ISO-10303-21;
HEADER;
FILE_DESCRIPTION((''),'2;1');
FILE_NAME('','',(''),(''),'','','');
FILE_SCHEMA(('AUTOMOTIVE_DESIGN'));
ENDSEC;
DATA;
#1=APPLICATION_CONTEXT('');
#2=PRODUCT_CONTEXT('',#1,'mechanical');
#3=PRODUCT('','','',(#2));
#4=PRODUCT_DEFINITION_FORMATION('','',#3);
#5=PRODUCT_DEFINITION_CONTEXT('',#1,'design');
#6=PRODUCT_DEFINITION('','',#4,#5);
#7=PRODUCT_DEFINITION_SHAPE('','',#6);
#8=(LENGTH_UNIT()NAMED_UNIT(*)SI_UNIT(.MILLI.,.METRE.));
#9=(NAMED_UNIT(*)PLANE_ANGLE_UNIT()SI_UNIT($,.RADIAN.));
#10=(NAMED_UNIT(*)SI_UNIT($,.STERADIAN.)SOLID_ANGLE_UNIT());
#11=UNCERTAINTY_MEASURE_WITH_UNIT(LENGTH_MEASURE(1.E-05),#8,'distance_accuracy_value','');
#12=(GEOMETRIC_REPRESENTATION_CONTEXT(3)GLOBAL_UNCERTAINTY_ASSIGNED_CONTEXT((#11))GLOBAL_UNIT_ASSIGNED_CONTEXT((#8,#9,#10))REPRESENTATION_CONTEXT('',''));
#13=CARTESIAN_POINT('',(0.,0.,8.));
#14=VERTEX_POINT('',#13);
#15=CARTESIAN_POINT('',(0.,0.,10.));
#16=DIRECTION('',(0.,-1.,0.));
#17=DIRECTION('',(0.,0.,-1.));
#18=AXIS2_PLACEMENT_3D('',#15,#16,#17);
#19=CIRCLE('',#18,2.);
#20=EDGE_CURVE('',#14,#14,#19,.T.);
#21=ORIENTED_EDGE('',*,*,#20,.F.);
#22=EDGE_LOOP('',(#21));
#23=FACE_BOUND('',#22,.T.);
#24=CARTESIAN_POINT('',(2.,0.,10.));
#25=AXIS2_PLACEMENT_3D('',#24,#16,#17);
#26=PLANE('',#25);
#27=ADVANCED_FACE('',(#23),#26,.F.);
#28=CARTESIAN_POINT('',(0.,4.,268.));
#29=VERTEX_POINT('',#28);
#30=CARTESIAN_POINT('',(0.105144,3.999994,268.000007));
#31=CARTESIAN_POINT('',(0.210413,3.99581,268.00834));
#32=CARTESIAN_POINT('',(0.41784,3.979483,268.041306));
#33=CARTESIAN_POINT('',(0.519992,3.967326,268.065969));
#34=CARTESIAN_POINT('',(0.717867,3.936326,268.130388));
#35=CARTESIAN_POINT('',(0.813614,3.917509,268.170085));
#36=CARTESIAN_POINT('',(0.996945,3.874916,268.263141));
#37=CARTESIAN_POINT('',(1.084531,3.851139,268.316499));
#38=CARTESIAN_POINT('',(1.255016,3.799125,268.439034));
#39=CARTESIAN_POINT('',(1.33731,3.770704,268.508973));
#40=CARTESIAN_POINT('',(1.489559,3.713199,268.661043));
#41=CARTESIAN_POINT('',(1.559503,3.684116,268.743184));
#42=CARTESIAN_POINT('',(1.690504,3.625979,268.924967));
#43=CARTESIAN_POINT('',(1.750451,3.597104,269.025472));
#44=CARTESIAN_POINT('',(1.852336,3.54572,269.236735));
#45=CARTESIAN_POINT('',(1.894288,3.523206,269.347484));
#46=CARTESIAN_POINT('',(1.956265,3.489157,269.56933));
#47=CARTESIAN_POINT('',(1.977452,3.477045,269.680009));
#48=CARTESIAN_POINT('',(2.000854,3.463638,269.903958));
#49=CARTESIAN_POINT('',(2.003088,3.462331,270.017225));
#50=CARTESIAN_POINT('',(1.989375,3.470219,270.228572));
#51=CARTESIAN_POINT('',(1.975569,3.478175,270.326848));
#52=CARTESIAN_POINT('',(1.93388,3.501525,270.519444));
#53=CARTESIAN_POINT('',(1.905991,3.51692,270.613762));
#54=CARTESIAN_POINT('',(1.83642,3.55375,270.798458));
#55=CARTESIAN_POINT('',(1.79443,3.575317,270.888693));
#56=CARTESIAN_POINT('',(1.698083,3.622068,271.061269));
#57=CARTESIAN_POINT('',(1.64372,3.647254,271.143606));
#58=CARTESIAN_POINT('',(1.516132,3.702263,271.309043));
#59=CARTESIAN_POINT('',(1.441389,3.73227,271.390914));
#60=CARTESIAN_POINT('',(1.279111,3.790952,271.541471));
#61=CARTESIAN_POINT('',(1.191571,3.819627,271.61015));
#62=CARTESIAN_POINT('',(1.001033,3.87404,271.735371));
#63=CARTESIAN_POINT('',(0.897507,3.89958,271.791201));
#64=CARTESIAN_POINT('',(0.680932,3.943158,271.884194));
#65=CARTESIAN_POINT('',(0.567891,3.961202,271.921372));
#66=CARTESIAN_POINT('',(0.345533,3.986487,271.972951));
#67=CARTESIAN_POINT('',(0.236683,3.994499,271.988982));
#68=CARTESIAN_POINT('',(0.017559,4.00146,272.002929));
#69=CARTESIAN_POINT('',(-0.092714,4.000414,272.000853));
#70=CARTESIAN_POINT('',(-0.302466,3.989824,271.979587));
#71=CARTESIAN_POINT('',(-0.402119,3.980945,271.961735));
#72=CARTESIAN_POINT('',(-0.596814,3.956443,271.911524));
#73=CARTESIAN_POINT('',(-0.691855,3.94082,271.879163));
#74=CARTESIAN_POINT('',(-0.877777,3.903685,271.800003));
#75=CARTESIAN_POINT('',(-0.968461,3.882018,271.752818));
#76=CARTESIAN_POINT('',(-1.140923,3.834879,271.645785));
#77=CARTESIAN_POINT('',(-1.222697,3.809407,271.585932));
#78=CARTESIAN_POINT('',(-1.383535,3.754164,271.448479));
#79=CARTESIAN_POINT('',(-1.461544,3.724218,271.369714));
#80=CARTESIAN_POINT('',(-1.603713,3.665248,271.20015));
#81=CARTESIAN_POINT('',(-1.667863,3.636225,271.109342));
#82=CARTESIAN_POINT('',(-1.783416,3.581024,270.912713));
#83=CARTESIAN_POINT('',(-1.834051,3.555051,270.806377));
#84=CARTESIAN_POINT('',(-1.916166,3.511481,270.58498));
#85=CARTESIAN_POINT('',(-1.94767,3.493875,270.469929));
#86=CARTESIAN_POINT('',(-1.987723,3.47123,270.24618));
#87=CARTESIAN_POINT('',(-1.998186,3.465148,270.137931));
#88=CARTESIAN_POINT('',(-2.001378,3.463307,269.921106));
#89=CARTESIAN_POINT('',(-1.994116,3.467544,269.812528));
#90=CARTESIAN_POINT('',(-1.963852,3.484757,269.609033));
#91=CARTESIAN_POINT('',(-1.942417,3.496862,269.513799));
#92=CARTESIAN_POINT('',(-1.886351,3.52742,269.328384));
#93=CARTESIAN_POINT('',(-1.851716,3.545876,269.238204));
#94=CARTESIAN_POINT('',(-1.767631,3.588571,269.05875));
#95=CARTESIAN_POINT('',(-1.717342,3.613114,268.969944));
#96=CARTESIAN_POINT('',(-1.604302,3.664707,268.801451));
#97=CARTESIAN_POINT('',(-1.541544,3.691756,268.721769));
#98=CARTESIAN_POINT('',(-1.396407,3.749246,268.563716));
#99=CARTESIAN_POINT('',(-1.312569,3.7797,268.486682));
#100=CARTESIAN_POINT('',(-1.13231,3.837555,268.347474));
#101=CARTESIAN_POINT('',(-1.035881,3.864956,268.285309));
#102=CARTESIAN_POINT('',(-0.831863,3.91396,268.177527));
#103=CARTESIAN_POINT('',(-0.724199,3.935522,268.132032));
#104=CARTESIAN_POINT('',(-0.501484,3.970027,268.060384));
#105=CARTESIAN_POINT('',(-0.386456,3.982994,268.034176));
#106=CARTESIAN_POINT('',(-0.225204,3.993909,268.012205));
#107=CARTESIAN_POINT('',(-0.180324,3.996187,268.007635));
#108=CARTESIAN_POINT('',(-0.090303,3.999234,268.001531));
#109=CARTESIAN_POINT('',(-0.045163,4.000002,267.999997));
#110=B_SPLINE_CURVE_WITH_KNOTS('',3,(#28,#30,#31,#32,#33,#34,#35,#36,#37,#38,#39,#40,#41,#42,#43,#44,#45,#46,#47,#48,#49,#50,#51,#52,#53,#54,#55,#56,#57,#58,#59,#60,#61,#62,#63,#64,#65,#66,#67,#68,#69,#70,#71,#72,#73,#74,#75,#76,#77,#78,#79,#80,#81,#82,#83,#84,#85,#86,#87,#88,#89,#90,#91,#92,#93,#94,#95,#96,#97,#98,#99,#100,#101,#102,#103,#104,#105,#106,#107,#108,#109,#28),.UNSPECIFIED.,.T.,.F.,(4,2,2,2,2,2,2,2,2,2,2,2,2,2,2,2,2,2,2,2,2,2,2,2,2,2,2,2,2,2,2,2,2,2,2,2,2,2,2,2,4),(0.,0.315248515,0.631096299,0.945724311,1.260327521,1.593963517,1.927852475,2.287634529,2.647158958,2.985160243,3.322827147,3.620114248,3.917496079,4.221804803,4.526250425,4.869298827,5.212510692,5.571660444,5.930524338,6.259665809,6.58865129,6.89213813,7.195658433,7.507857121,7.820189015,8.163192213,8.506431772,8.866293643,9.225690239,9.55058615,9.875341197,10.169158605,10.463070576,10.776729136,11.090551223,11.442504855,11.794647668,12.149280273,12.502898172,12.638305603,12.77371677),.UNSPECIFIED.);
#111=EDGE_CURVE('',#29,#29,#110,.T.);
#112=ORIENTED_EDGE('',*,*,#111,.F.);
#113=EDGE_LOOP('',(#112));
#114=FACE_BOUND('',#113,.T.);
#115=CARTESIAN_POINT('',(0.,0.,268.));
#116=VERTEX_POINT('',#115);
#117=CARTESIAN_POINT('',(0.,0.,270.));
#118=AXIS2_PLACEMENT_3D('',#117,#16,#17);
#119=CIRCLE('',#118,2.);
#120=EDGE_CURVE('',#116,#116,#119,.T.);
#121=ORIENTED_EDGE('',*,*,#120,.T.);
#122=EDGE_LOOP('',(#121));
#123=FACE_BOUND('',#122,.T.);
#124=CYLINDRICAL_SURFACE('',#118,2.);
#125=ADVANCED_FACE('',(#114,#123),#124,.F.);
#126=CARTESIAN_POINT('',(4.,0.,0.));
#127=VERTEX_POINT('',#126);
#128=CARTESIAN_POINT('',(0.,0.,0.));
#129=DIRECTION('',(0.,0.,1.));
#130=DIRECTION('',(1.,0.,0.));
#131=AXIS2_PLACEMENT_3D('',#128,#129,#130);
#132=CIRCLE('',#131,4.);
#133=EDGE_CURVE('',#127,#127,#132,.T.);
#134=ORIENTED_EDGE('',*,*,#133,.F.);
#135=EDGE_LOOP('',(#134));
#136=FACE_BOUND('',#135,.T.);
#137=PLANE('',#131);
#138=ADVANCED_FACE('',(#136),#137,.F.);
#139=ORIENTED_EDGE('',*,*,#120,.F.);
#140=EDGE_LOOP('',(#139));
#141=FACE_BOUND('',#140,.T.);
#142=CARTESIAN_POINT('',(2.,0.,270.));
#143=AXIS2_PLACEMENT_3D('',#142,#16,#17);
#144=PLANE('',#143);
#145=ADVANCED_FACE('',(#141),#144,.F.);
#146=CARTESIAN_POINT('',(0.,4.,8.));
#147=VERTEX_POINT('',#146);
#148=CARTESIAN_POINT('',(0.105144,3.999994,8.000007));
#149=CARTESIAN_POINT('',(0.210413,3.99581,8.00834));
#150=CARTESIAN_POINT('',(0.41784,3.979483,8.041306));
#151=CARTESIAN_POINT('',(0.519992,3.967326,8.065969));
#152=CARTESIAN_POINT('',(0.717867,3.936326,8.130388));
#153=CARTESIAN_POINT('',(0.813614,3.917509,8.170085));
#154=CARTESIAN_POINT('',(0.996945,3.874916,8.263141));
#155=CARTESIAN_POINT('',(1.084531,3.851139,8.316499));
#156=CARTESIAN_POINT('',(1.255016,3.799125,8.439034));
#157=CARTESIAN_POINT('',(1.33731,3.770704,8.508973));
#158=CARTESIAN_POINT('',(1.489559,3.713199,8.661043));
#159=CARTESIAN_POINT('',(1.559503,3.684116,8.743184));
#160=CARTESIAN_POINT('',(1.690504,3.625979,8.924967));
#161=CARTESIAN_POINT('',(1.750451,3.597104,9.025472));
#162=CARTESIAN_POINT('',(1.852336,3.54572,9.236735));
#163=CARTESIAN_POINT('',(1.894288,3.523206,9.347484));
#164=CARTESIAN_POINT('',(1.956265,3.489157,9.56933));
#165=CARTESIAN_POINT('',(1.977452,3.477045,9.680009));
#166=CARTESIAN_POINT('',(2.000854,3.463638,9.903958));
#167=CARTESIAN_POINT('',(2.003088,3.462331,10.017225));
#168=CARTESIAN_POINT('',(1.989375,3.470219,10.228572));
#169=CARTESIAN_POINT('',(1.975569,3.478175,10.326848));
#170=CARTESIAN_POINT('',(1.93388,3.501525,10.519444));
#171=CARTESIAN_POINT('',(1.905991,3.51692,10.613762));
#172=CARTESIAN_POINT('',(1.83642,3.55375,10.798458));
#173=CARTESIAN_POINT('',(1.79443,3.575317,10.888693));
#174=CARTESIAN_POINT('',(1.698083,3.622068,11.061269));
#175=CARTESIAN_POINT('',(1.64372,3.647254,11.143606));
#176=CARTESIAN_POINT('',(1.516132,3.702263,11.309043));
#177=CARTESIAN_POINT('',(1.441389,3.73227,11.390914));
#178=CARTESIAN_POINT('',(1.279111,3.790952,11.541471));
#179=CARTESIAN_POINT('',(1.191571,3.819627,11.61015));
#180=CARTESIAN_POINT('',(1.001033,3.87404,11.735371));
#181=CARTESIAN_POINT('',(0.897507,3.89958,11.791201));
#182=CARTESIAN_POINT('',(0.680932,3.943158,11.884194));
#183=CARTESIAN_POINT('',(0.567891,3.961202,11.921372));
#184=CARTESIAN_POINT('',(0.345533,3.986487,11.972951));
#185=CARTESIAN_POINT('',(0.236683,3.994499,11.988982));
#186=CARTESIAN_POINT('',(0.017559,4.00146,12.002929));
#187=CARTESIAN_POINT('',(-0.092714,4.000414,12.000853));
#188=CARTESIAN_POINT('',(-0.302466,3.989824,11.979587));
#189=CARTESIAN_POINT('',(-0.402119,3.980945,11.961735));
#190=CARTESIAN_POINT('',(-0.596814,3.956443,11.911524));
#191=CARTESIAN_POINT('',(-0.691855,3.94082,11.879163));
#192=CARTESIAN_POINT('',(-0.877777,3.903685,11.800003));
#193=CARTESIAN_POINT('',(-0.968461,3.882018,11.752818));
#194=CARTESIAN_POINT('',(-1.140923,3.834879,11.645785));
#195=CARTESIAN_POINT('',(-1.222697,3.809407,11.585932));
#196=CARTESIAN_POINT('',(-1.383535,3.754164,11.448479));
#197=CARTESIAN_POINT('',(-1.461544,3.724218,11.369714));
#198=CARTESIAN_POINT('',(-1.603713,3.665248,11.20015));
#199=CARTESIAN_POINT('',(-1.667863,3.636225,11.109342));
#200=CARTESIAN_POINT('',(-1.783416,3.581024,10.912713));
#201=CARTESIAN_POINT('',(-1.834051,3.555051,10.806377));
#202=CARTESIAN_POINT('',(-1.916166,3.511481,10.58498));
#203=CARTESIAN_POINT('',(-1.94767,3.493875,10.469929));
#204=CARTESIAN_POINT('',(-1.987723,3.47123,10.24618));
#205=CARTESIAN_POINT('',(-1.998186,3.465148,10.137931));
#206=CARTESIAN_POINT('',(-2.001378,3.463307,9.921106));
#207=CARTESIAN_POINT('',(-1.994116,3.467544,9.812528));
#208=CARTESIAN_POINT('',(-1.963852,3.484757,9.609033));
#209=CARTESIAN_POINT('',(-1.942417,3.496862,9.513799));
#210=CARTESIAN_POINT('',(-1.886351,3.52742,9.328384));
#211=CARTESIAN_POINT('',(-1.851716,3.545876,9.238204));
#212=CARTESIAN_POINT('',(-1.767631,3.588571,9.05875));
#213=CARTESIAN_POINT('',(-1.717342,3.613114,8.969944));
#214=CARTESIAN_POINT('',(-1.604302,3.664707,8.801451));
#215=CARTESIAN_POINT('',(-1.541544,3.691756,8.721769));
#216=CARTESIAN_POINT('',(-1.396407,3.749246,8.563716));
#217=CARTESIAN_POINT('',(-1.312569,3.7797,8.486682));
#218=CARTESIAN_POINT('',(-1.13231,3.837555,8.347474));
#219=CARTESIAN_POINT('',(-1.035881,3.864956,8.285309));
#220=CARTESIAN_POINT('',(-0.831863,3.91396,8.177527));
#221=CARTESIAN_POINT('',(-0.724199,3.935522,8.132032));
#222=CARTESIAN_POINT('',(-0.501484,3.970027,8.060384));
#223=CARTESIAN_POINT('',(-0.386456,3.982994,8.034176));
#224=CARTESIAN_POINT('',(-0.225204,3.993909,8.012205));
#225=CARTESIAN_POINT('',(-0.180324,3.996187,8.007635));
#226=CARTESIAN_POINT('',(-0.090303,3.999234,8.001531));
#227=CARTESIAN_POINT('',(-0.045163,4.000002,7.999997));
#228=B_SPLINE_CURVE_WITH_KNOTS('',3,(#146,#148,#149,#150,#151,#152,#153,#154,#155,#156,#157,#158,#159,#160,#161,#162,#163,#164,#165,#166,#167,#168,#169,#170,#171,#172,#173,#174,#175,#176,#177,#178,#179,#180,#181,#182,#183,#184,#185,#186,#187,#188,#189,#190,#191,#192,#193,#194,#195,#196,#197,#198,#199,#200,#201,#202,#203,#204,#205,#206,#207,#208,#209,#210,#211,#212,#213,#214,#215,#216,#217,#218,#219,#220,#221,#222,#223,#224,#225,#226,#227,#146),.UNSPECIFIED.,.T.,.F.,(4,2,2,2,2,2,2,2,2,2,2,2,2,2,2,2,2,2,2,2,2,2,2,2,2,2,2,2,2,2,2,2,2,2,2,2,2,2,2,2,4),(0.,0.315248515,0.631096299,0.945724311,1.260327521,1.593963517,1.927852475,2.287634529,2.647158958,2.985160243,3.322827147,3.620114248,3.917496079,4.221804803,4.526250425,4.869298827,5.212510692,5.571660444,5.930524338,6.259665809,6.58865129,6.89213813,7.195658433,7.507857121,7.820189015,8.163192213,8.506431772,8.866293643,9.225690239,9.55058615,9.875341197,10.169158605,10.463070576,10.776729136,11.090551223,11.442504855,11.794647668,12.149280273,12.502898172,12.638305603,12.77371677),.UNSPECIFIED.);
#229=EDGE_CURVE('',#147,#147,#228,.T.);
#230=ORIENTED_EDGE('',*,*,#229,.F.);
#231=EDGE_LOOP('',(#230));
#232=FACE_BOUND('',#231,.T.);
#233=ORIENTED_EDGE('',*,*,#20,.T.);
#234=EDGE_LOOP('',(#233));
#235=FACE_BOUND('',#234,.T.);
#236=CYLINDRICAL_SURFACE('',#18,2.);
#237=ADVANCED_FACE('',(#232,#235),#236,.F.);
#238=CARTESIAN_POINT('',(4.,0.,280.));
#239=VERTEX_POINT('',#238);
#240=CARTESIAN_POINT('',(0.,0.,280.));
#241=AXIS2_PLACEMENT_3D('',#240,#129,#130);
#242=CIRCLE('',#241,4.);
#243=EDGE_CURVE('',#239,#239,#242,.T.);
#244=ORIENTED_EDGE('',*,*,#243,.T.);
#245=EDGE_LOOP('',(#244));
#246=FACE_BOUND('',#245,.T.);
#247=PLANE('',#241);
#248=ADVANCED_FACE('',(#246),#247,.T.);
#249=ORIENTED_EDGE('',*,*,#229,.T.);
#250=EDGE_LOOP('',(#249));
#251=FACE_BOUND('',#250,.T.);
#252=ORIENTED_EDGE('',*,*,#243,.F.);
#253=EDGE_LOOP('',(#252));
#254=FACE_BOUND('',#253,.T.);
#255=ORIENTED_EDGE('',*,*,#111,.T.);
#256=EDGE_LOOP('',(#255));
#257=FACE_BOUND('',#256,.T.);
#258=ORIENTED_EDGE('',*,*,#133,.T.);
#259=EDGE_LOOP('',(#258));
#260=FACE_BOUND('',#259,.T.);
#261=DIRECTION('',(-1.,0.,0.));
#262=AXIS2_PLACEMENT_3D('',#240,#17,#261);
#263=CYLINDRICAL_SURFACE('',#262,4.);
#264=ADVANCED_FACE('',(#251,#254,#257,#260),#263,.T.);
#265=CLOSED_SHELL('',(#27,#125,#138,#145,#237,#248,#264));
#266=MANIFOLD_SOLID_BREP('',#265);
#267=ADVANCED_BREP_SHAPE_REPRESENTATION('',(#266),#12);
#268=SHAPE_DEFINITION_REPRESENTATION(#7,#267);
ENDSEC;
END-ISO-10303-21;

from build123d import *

# Parameters (mm, degrees)
SKETCH1_R                         = 4
EXTRUDE1_DEPTH                    = 280
SKETCH3_W                         = 2
SKETCH3_H                         = 4
F_4_0_4_DIAMETER_HOLE1_AT_2_COUNT = 2
F_4_0_4_DIAMETER_HOLE1_AT_2_PITCH = 260


with BuildPart() as part:
    # Sketch1 → Extrude1 (new body)
    with BuildSketch(Plane.XY):
        Circle(SKETCH1_R)
    extrude(amount=EXTRUDE1_DEPTH)

    # Sketch3 → Ø4.0 (4) Diameter Hole1 (revolve, cut)
    with BuildSketch(Plane(origin=(0, 0, 10), x_dir=(0, 0, -1), z_dir=(1, 0, 0))):
        with Locations((1, 2)):
            Rectangle(SKETCH3_W, SKETCH3_H)
    f_4_0_4_diameter_hole1 = revolve(axis=Axis((0, -6.35, 10), (0, 1, 0)), mode=Mode.SUBTRACT)

    # Ø4.0 (4) Diameter Hole1 at 2: Ø4.0 (4) Diameter Hole1 ×2
    with Locations(*[(0, 0, i * F_4_0_4_DIAMETER_HOLE1_AT_2_PITCH) for i in range(1, F_4_0_4_DIAMETER_HOLE1_AT_2_COUNT)]):
        add(f_4_0_4_diameter_hole1, mode=Mode.SUBTRACT)


solid = part.part
